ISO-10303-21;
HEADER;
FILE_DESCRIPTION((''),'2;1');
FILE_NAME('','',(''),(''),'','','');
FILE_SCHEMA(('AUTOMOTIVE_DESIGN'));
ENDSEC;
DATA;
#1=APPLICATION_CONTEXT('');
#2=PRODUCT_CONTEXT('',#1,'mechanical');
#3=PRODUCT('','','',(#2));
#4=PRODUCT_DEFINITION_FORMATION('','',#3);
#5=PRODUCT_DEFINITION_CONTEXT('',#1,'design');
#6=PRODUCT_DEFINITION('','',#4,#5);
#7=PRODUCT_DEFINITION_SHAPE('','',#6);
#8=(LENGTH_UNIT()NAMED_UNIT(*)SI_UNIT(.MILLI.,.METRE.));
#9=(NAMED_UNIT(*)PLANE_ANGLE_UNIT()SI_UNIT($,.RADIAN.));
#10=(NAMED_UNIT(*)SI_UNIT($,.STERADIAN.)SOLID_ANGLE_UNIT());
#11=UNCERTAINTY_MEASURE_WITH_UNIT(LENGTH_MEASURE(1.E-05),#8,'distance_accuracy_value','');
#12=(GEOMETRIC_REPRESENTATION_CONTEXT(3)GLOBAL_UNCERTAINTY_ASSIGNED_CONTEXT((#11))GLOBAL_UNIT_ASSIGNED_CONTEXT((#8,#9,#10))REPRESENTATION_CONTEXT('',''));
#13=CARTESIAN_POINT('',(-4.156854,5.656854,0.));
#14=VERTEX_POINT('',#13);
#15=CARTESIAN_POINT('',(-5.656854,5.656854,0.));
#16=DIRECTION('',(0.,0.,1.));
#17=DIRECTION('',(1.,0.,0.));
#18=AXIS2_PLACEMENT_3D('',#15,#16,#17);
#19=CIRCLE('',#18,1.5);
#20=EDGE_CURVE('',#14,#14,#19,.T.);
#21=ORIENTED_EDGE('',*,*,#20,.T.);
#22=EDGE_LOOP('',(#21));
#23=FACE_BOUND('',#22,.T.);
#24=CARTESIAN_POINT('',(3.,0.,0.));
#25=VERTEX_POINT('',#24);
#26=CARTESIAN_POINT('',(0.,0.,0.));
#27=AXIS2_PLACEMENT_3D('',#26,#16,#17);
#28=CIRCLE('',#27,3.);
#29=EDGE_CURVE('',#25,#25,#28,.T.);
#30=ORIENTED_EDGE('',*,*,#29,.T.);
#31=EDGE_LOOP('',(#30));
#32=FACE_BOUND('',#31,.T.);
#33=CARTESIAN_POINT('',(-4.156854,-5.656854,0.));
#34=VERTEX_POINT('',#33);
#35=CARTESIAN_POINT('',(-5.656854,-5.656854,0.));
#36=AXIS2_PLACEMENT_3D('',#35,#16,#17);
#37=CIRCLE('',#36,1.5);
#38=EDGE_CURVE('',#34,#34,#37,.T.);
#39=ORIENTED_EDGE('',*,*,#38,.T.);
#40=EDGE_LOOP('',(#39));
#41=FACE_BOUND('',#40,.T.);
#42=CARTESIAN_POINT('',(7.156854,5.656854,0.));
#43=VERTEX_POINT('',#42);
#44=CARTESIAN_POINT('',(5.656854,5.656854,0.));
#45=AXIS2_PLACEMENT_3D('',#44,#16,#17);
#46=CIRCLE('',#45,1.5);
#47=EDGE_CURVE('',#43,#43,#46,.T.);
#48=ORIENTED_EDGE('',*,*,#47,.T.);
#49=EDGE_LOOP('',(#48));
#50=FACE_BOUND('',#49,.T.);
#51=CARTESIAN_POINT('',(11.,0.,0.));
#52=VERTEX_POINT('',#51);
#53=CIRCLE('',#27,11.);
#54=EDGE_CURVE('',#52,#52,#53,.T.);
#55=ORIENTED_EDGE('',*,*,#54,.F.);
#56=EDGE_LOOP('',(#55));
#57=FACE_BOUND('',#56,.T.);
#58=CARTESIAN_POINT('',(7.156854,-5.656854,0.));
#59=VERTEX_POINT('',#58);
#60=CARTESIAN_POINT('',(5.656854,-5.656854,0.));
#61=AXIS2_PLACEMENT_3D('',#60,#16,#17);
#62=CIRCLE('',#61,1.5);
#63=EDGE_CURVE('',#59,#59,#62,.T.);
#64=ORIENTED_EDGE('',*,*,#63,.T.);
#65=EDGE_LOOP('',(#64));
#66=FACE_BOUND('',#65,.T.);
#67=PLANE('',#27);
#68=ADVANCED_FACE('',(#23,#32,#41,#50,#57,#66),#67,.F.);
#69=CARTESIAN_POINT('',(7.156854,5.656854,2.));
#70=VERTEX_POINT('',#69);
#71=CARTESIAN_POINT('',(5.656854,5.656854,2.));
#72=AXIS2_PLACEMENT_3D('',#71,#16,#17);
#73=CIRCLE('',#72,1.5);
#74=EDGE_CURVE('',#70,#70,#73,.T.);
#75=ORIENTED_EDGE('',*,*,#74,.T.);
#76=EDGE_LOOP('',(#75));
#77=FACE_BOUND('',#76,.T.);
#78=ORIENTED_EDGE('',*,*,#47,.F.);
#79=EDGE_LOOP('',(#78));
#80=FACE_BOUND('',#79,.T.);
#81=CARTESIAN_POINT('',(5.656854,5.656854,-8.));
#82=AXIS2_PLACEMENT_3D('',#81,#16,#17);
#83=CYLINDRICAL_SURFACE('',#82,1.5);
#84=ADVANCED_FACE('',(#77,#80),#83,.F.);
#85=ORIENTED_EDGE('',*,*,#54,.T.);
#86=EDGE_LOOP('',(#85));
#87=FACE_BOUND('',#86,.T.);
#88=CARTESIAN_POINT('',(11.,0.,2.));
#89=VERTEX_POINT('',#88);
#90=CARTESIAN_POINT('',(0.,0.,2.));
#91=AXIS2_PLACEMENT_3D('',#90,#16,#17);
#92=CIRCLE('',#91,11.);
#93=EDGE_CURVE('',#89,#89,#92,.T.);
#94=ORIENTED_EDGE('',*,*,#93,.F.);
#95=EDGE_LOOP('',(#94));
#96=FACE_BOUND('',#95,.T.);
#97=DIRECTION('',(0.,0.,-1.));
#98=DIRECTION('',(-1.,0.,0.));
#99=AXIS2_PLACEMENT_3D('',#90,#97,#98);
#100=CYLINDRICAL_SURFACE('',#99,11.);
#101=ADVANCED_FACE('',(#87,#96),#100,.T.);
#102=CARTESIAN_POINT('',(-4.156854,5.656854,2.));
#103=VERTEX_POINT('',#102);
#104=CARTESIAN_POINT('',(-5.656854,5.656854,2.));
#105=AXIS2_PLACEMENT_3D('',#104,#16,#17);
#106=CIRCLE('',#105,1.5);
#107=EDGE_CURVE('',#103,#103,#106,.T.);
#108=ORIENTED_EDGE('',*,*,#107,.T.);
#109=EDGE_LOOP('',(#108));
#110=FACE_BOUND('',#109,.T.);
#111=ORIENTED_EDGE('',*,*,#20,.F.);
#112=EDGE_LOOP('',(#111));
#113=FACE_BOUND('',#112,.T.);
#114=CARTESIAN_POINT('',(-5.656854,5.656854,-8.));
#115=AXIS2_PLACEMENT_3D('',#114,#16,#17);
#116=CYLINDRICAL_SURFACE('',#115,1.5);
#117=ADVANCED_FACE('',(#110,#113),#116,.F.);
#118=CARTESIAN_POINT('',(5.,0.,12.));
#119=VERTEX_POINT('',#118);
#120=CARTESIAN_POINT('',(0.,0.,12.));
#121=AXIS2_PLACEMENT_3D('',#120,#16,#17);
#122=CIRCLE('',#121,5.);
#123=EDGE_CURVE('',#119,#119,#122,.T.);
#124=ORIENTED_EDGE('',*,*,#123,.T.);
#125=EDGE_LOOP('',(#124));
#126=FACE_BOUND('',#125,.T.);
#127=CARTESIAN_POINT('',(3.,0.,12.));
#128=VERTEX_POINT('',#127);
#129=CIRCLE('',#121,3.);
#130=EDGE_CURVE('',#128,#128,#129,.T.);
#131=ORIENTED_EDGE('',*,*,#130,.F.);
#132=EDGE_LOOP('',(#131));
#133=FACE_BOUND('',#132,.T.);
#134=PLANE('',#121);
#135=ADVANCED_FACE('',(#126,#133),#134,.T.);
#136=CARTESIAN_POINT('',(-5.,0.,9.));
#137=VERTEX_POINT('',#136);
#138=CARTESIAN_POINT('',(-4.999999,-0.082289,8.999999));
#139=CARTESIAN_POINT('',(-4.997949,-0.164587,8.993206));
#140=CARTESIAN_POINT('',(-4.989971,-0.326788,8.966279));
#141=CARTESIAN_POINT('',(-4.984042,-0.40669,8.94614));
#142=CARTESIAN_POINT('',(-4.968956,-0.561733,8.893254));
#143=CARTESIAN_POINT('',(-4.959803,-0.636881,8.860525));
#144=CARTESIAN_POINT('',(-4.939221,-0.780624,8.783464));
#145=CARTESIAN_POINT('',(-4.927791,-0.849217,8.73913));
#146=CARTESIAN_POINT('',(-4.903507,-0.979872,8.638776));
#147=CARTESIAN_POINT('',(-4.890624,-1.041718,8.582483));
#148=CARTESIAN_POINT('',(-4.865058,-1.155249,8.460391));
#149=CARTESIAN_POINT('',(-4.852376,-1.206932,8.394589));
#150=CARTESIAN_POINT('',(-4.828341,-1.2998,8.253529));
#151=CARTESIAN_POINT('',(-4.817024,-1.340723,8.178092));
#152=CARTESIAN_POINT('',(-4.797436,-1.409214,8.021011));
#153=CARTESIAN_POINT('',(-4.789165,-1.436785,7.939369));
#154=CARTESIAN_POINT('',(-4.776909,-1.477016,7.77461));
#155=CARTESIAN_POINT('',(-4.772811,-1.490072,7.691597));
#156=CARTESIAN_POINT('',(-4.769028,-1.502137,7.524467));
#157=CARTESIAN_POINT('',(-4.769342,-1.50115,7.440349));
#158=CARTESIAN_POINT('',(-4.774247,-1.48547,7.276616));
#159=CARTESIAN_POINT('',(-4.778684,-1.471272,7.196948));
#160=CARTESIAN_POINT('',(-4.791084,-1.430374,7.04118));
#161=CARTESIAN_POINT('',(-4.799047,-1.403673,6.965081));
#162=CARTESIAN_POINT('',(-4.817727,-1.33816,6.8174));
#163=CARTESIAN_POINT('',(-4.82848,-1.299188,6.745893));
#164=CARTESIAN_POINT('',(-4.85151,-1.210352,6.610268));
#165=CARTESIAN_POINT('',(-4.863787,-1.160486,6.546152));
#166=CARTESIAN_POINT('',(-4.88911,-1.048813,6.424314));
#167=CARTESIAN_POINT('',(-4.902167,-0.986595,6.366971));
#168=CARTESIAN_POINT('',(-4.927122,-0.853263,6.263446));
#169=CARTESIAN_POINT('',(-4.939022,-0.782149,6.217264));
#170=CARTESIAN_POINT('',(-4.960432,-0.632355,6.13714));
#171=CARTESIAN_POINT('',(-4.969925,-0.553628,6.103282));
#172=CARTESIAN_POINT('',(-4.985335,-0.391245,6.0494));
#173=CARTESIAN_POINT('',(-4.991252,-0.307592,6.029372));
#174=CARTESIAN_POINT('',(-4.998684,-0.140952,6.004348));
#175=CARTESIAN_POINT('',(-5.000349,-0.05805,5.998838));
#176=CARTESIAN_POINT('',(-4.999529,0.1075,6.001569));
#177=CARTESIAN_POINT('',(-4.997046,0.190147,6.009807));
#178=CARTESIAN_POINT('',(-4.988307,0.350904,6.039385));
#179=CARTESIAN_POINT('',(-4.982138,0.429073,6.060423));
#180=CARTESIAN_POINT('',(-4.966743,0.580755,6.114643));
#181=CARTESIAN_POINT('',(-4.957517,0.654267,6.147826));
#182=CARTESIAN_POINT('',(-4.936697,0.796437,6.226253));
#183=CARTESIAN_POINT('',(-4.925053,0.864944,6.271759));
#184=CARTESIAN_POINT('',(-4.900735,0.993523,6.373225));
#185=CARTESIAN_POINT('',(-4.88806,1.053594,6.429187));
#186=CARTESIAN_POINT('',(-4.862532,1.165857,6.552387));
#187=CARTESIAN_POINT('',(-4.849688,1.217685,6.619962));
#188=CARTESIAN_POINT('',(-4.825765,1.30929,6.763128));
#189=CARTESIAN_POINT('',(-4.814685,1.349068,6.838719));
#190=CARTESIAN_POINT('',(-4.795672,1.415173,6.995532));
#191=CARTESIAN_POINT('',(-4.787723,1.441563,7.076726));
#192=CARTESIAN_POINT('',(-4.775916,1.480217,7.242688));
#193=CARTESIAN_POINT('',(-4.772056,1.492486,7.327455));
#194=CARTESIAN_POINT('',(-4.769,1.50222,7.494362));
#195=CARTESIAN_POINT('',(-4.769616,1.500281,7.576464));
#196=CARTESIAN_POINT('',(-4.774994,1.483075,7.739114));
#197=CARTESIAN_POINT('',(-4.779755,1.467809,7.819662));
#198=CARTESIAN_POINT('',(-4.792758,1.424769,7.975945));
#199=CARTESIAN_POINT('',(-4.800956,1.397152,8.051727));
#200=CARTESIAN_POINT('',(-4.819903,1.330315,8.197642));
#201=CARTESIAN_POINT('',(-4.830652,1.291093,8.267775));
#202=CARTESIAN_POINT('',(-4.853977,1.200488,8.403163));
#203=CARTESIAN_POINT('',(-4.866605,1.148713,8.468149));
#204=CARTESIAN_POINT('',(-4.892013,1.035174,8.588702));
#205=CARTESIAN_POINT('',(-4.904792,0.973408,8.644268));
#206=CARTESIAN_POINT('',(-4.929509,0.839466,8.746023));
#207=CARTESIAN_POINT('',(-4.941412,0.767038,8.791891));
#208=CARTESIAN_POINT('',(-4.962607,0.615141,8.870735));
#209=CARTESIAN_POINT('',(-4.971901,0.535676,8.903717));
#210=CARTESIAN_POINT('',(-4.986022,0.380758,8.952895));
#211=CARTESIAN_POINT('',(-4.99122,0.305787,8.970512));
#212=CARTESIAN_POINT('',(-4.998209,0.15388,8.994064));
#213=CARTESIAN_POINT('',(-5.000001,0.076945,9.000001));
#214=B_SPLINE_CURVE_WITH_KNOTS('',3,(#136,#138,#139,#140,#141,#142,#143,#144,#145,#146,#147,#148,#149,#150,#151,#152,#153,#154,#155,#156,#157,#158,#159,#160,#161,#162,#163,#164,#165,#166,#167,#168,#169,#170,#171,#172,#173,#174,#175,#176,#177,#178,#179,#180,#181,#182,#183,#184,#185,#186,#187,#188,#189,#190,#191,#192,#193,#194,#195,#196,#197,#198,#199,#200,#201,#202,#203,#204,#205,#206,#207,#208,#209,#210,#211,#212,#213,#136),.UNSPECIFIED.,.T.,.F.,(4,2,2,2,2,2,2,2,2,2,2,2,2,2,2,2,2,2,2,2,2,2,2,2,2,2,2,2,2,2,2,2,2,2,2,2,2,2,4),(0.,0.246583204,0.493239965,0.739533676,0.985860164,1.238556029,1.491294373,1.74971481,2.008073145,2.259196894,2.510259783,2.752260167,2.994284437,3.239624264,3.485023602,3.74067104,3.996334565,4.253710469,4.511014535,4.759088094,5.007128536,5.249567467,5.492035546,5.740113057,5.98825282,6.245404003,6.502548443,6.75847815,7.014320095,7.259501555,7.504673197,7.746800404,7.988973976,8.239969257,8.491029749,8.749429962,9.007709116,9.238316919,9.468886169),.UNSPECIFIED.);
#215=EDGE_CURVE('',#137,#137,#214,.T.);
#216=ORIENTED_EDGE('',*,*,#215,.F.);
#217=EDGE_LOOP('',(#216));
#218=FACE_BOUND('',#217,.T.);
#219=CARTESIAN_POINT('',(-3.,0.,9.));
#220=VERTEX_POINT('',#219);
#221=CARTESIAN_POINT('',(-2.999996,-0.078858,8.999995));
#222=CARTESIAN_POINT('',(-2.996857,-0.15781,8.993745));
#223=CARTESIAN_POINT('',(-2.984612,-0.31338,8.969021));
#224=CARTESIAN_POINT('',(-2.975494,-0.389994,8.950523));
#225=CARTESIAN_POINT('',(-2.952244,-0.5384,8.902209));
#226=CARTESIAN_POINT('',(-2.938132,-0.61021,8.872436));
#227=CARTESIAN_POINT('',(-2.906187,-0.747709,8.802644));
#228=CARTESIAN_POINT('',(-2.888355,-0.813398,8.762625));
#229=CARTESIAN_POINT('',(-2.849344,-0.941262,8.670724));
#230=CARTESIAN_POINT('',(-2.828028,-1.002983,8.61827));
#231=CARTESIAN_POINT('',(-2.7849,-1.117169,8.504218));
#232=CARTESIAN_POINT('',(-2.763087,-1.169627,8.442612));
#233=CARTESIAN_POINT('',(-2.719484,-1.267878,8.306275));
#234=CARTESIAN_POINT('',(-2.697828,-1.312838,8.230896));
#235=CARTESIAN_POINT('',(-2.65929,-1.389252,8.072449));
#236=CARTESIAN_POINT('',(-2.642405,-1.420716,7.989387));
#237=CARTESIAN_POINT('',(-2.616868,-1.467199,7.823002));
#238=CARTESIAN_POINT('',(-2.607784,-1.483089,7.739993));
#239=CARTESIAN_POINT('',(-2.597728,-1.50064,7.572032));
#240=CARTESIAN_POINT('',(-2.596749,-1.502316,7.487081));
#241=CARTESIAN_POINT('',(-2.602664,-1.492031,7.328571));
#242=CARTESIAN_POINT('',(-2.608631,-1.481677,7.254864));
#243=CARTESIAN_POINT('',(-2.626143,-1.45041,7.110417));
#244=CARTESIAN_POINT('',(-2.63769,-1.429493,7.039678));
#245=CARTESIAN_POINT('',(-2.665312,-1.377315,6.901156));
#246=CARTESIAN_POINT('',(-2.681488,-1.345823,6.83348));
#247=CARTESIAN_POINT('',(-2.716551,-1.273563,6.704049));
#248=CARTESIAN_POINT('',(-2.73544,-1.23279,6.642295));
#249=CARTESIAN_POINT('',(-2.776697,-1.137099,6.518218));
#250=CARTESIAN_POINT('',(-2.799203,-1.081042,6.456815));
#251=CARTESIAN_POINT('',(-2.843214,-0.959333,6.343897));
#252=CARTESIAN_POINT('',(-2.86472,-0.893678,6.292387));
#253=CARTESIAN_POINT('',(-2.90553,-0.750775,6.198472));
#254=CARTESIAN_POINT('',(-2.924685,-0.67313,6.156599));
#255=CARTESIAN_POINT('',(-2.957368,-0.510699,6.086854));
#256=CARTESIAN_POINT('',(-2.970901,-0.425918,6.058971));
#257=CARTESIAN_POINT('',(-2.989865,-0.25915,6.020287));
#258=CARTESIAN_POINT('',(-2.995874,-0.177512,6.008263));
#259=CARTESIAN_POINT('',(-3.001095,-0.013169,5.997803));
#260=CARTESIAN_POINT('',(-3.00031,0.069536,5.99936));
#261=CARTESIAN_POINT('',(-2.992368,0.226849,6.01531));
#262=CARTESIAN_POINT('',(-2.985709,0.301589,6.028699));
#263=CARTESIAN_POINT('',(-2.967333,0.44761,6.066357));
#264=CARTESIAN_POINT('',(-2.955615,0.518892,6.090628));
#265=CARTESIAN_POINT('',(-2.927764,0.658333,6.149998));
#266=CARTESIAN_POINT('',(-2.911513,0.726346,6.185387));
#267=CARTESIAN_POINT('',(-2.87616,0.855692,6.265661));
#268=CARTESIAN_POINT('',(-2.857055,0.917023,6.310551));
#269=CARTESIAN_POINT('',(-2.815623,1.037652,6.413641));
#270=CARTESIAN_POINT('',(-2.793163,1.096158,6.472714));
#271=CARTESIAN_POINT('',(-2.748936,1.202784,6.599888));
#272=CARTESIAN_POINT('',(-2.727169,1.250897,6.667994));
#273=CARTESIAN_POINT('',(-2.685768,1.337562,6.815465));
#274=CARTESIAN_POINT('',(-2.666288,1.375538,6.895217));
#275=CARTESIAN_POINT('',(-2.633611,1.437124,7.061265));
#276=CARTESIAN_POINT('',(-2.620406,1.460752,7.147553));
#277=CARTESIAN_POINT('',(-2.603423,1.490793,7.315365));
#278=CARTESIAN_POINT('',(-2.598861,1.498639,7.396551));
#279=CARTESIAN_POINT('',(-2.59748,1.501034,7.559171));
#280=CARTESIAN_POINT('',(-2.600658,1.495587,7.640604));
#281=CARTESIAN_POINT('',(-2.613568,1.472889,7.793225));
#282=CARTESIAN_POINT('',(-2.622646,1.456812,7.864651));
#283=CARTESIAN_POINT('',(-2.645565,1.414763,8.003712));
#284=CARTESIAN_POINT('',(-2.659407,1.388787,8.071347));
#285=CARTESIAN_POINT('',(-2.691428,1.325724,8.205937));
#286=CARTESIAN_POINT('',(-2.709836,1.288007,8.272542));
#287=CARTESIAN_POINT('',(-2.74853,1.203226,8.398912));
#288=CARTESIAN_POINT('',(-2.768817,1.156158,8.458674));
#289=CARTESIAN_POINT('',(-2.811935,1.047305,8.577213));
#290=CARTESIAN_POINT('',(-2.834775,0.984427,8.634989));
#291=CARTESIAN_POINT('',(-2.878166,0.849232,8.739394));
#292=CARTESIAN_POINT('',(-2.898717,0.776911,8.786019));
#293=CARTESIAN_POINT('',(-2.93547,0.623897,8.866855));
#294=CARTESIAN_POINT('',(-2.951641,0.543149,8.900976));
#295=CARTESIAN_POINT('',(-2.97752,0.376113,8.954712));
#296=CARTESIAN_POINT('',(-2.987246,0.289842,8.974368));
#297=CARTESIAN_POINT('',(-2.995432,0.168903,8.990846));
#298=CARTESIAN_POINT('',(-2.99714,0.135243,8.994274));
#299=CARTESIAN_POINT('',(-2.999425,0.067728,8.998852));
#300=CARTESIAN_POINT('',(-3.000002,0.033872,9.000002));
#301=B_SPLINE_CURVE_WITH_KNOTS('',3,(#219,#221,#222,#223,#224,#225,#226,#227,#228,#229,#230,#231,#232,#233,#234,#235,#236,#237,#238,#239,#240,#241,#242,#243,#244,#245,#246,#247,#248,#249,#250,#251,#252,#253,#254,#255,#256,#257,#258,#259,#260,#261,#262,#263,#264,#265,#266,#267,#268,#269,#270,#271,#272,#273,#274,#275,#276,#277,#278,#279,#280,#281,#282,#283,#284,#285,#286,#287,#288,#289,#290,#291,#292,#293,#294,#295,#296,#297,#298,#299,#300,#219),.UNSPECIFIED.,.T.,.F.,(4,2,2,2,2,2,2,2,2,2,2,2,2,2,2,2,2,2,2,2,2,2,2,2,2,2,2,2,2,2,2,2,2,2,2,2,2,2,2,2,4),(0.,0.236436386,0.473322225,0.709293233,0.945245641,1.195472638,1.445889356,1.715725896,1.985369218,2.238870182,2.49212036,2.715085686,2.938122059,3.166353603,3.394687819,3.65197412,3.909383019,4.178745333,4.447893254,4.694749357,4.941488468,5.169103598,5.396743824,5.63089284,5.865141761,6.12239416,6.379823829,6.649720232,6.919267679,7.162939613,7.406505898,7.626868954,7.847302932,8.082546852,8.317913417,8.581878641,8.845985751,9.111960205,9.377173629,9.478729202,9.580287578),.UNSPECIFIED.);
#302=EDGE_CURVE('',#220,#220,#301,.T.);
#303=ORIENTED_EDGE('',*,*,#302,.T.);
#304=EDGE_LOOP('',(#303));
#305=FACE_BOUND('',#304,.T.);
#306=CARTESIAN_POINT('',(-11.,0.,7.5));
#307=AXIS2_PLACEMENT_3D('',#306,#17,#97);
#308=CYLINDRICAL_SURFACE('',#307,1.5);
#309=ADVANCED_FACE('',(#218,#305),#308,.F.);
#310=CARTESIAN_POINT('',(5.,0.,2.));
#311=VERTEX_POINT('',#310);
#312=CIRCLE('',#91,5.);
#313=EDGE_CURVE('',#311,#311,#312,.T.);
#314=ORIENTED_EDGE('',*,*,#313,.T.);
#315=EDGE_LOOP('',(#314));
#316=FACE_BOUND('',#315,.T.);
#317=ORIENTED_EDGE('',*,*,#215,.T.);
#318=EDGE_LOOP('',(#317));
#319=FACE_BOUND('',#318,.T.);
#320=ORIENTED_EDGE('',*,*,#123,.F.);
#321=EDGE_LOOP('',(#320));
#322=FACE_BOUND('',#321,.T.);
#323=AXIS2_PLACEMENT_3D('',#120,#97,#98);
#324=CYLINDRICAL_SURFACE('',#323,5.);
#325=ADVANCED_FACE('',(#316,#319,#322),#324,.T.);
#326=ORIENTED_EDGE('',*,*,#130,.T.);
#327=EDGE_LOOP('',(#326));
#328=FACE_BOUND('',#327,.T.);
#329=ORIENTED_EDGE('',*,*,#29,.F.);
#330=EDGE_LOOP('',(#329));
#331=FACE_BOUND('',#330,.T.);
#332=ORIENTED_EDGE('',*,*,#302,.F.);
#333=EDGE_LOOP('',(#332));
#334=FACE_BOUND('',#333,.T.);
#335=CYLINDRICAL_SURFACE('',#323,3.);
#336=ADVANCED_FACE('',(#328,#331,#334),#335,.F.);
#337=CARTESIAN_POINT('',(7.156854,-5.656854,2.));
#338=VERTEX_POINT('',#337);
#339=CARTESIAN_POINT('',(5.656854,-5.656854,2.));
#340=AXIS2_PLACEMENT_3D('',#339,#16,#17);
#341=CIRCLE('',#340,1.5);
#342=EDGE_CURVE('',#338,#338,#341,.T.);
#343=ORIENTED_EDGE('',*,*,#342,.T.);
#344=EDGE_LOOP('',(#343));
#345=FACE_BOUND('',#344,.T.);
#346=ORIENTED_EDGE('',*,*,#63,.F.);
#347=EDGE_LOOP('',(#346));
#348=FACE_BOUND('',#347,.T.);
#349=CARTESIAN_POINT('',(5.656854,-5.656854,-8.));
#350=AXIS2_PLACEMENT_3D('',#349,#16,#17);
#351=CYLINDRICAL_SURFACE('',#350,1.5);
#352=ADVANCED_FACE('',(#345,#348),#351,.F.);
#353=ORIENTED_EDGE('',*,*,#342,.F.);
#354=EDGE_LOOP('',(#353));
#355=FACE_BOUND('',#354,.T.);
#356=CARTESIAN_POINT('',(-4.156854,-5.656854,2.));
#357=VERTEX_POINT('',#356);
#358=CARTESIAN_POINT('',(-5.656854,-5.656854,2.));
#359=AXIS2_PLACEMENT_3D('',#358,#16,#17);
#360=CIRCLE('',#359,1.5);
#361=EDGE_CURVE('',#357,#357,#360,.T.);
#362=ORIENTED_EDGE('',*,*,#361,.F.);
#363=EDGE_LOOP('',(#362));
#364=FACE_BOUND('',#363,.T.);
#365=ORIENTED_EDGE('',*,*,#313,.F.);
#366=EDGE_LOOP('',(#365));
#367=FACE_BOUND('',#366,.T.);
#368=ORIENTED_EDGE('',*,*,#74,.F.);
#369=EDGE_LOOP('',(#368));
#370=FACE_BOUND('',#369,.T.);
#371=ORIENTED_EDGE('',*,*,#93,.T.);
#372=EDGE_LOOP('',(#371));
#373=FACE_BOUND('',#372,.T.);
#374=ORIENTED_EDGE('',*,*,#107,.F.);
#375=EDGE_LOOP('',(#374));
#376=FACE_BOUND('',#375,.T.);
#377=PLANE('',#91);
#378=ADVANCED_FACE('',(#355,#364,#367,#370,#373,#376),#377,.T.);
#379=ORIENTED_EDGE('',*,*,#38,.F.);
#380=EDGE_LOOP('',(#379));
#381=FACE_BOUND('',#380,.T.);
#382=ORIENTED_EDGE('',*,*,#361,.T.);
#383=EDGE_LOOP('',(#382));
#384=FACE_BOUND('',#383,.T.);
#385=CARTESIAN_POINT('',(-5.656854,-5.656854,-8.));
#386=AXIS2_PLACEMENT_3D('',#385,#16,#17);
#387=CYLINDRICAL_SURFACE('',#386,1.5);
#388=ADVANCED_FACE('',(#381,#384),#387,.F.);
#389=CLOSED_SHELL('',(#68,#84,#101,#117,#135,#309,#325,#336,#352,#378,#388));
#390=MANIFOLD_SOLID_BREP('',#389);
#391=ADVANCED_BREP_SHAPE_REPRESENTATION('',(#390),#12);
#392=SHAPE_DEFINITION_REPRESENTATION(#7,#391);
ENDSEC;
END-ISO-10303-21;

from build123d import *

# Parameters (mm, degrees)
SKETCH_1_R          = 11
EXTRUDE_1_DEPTH     = 2
SKETCH_2_R          = 5
EXTRUDE_2_DEPTH     = 10
SKETCH_3_R          = 3
CUT_EXTRUDE_2_DEPTH = 13
SKETCH_4_R          = 1.5
CUT_EXTRUDE_3_DEPTH = 10
SKETCH_5_R          = 1.5
CUT_EXTRUDE_4_DEPTH = 12


with BuildPart() as part:
    # Эскиз1 → Бобышка-Вытянуть1 (new body)
    with BuildSketch(Plane.XY):
        Circle(SKETCH_1_R)
    extrude(amount=EXTRUDE_1_DEPTH)

    # Эскиз2 → Бобышка-Вытянуть2 (add)
    with BuildSketch(Plane.XY.offset(2)):
        Circle(SKETCH_2_R)
    extrude(amount=EXTRUDE_2_DEPTH)

    # Эскиз3 → Вырез-Вытянуть2 (cut, through all)
    with BuildSketch(Plane.XY):
        Circle(SKETCH_3_R)
    extrude(amount=CUT_EXTRUDE_2_DEPTH, mode=Mode.SUBTRACT)

    # Эскиз4 → Вырез-Вытянуть3 (cut)
    with BuildSketch(Plane.XY.offset(2)):
        with Locations((5.656854249, 5.656854249)):
            Circle(SKETCH_4_R)
        with Locations((5.656854249, -5.656854249)):
            Circle(SKETCH_4_R)
        with Locations((-5.656854249, -5.656854249)):
            Circle(SKETCH_4_R)
        with Locations((-5.656854249, 5.656854249)):
            Circle(SKETCH_4_R)
    extrude(amount=-CUT_EXTRUDE_3_DEPTH, mode=Mode.SUBTRACT)

    # Эскиз5 → Вырез-Вытянуть4 (cut, through all)
    with BuildSketch(Plane(origin=(0, 0, 0), x_dir=(0, 0, -1), z_dir=(1, 0, 0))):
        with Locations((-7.5, 0)):
            Circle(SKETCH_5_R)
    extrude(amount=-CUT_EXTRUDE_4_DEPTH, mode=Mode.SUBTRACT)


solid = part.part
